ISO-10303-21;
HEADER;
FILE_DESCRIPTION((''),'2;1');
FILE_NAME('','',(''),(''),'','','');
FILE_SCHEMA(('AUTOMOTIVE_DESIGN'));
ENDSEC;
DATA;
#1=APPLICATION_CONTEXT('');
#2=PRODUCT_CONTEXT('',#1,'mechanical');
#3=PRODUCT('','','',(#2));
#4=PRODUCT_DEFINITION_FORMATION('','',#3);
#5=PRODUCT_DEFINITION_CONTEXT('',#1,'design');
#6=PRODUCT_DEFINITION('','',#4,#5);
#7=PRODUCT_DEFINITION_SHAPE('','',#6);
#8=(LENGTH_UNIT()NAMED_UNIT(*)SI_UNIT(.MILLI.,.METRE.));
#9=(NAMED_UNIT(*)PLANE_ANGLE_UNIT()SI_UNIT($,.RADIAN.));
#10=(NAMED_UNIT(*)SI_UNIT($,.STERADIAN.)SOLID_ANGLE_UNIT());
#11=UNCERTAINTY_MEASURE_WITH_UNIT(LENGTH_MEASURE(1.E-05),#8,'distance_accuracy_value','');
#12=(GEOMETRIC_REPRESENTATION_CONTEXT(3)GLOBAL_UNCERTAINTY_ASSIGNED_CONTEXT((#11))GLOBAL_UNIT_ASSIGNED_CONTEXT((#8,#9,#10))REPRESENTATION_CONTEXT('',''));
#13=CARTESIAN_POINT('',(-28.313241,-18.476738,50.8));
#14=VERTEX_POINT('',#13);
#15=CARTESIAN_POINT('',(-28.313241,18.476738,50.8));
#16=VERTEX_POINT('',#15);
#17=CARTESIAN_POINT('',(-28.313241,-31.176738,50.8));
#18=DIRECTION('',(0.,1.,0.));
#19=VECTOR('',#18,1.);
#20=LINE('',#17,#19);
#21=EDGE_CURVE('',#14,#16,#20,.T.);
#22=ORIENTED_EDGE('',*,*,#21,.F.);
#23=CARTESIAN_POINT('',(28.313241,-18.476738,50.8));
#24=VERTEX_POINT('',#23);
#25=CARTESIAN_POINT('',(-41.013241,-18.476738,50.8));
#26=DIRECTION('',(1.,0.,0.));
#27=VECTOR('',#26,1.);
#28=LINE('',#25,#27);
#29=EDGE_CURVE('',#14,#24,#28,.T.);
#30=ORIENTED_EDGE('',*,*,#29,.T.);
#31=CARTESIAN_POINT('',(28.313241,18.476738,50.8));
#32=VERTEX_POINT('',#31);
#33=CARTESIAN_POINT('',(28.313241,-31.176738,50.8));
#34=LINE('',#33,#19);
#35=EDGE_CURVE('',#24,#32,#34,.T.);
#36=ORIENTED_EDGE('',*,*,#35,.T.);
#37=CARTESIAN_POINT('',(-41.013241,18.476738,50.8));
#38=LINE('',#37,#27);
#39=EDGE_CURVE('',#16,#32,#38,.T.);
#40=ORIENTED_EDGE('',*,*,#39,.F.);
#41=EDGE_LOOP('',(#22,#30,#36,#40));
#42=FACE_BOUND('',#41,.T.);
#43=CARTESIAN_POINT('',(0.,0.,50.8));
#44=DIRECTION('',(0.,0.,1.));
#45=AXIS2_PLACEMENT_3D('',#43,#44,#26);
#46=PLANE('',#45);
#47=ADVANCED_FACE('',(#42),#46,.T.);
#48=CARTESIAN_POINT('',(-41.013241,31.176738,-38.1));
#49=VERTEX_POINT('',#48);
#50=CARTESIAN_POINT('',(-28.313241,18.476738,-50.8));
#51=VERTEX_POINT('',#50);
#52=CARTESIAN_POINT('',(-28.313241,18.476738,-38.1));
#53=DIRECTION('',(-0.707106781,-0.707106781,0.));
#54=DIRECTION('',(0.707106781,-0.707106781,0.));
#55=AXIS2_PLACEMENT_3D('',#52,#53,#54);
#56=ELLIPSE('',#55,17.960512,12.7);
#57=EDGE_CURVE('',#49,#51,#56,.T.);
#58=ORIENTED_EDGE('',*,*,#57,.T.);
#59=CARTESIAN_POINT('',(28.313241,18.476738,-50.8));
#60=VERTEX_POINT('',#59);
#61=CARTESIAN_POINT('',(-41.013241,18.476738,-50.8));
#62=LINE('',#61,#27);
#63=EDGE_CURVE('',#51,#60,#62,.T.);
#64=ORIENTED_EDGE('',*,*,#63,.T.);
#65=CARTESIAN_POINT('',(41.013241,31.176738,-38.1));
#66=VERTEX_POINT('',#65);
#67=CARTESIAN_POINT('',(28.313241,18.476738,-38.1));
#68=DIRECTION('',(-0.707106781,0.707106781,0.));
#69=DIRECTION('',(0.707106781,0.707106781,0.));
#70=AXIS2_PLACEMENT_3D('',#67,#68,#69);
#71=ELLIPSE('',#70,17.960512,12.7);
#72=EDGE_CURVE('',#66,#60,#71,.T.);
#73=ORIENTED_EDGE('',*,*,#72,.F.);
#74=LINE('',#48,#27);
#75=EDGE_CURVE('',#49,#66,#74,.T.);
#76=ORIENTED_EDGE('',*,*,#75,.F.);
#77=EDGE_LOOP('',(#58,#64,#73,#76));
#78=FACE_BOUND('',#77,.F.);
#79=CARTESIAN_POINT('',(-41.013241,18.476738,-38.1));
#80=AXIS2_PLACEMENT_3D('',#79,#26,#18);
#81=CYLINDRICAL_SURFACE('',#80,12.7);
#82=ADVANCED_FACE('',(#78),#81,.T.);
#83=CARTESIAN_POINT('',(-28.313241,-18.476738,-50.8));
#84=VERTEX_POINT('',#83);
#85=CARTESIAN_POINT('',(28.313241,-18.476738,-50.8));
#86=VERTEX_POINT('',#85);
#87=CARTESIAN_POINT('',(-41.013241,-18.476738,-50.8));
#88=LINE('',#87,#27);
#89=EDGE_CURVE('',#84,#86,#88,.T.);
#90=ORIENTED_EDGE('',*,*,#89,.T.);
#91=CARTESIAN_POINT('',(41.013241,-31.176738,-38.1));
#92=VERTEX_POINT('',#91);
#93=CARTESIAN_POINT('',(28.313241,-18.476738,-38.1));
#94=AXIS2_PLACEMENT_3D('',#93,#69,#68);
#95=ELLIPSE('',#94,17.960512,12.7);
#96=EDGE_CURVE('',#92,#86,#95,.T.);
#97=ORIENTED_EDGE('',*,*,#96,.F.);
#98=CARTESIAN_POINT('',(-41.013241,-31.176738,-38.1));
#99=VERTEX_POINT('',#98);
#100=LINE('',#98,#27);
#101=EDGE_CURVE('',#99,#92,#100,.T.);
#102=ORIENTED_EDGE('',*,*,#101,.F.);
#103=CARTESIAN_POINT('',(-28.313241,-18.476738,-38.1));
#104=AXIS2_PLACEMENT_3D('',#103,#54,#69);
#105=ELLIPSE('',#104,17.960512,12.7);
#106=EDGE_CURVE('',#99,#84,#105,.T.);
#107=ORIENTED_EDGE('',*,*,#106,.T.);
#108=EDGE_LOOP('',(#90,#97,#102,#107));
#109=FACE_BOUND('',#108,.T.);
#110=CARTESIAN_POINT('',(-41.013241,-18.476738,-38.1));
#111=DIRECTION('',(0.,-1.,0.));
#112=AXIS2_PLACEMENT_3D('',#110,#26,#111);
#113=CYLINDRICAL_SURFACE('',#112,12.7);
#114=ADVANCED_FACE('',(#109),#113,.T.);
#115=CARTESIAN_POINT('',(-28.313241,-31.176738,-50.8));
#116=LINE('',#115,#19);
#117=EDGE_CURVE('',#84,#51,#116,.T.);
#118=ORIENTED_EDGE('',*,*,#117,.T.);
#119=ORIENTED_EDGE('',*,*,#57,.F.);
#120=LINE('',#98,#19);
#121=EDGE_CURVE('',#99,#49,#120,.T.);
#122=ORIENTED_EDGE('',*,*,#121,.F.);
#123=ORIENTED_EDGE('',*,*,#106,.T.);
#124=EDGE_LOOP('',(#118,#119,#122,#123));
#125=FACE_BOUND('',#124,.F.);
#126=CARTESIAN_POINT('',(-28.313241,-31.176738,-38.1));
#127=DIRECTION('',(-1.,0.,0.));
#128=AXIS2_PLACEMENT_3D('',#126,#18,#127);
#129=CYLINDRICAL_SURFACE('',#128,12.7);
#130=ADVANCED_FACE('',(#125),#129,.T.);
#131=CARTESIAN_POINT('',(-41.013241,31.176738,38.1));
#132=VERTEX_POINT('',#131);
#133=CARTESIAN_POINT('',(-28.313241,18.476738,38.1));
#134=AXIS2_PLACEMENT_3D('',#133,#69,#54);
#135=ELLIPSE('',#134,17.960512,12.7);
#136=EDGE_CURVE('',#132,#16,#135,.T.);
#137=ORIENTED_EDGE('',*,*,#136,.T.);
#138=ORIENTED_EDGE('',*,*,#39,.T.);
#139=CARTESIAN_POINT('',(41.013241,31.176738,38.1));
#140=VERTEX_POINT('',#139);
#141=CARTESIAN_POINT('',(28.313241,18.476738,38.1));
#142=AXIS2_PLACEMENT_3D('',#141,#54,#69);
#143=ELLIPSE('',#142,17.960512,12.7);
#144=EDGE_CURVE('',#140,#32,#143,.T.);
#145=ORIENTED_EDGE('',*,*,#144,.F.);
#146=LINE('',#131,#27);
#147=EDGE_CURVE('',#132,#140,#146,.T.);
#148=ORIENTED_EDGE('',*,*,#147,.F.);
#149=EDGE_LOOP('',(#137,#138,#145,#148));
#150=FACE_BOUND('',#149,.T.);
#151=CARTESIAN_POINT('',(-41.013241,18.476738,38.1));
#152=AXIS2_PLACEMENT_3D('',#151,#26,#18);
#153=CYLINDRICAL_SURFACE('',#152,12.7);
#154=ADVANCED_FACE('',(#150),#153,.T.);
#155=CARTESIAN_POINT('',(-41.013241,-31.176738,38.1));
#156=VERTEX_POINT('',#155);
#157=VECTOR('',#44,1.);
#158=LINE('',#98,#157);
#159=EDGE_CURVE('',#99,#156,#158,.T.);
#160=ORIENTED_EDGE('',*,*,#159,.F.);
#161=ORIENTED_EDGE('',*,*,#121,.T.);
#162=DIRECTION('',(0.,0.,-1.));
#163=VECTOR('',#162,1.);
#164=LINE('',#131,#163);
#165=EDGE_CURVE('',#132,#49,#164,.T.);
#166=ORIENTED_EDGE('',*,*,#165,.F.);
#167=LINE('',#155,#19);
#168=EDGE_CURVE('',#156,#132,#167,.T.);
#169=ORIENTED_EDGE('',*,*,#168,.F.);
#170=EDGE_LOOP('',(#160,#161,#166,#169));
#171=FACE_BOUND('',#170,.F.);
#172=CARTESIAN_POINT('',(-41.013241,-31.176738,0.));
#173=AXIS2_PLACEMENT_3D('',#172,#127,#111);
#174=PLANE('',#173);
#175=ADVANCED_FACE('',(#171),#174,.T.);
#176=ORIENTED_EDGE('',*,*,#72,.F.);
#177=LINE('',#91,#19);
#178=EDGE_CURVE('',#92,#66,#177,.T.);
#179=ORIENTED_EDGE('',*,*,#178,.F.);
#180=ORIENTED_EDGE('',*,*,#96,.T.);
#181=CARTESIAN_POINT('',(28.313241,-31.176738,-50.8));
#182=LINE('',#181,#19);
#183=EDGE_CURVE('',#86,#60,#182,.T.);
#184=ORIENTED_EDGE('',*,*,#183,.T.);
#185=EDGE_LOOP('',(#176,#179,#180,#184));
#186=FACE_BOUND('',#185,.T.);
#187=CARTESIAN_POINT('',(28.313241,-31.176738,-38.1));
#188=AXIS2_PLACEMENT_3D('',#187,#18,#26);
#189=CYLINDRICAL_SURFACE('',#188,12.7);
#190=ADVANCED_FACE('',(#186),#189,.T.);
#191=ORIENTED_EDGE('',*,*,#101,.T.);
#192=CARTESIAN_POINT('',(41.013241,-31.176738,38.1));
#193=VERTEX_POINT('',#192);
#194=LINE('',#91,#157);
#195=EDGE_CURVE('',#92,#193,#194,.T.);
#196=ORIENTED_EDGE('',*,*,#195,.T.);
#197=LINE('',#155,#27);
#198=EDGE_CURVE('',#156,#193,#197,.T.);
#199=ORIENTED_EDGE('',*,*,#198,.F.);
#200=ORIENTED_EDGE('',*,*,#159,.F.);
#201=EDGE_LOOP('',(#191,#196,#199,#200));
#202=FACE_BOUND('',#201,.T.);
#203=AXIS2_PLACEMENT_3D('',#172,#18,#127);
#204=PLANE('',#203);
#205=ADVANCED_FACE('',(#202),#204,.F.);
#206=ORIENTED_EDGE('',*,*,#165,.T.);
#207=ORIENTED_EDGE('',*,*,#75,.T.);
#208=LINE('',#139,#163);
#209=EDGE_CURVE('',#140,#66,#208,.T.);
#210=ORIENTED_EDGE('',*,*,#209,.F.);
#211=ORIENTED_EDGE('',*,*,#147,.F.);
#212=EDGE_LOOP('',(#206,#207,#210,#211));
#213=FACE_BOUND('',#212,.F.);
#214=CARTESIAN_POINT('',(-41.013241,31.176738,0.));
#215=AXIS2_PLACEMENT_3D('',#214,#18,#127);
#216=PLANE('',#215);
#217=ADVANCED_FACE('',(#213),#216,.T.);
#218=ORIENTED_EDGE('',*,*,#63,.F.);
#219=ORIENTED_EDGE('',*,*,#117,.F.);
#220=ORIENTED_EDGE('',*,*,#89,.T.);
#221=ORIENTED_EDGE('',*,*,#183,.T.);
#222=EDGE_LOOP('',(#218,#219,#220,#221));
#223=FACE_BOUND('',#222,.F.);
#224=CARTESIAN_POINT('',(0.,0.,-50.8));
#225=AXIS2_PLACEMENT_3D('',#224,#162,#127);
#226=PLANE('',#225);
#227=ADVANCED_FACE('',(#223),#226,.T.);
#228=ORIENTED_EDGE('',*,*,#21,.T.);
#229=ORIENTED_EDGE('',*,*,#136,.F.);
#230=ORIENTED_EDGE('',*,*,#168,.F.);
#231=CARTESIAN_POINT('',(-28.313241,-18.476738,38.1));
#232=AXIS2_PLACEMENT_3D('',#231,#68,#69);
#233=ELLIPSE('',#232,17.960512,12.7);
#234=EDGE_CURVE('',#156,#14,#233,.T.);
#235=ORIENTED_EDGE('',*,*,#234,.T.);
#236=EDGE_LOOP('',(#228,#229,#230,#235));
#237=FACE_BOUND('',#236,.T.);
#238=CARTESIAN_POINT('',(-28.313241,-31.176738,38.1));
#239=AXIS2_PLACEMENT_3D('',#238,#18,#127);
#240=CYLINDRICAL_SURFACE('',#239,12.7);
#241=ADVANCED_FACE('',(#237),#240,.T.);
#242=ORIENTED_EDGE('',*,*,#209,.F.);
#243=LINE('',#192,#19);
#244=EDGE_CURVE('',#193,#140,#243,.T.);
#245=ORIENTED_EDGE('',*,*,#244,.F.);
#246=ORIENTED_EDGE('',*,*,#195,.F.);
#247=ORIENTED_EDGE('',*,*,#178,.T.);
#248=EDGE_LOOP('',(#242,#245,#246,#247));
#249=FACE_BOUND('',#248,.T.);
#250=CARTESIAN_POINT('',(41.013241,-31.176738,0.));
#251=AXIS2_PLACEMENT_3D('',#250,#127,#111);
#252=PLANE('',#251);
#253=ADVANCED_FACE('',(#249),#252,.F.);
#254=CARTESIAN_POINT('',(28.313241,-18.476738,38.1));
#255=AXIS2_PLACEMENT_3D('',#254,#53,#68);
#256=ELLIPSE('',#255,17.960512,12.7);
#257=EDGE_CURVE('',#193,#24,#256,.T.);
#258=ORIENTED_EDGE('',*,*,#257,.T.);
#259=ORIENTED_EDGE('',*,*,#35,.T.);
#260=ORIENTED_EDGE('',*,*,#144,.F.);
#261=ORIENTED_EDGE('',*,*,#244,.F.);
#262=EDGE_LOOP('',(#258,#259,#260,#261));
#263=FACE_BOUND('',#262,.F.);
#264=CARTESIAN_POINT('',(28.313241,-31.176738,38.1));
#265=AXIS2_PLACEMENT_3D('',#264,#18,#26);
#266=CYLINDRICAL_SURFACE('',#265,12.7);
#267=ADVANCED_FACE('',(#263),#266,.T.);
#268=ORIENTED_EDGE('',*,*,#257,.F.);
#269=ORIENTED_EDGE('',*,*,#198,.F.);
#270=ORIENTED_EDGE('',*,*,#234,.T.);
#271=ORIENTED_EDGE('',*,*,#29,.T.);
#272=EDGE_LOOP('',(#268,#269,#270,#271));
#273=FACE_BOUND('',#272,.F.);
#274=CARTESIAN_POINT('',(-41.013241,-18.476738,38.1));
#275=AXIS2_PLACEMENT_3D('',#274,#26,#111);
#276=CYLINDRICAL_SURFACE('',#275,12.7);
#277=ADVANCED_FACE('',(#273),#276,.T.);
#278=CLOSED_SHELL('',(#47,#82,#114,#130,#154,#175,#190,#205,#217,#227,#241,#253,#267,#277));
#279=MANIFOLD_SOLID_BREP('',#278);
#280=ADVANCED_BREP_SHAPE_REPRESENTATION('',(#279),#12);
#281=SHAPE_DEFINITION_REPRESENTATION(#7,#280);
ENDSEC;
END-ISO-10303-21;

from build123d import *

# Parameters (mm, degrees)
F0_W     = 82.026482
F0_H     = 62.353476
F1_DEPTH = 50.8
F2_R     = 12.7


with BuildPart() as f1:
    # F0 (on Top) → F1 (new body)
    with BuildSketch(Plane.XY):
        Rectangle(F0_W, F0_H)
    extrude(amount=F1_DEPTH)

    # F2
    f2_edges = [f1.edges().sort_by_distance(p)[0] for p in [
        (41.013241, 0, 50.8),
        (0, 31.176738, 50.8),
        (-41.013241, 0, 50.8),
        (0, -31.176738, 50.8),
    ]]
    fillet(f2_edges, radius=F2_R)

    # F3: F1 across plane


with BuildPart() as f1_1:
    add(f1.part)
    add(f1.part.mirror(Plane.XY))


solid = f1_1.part
